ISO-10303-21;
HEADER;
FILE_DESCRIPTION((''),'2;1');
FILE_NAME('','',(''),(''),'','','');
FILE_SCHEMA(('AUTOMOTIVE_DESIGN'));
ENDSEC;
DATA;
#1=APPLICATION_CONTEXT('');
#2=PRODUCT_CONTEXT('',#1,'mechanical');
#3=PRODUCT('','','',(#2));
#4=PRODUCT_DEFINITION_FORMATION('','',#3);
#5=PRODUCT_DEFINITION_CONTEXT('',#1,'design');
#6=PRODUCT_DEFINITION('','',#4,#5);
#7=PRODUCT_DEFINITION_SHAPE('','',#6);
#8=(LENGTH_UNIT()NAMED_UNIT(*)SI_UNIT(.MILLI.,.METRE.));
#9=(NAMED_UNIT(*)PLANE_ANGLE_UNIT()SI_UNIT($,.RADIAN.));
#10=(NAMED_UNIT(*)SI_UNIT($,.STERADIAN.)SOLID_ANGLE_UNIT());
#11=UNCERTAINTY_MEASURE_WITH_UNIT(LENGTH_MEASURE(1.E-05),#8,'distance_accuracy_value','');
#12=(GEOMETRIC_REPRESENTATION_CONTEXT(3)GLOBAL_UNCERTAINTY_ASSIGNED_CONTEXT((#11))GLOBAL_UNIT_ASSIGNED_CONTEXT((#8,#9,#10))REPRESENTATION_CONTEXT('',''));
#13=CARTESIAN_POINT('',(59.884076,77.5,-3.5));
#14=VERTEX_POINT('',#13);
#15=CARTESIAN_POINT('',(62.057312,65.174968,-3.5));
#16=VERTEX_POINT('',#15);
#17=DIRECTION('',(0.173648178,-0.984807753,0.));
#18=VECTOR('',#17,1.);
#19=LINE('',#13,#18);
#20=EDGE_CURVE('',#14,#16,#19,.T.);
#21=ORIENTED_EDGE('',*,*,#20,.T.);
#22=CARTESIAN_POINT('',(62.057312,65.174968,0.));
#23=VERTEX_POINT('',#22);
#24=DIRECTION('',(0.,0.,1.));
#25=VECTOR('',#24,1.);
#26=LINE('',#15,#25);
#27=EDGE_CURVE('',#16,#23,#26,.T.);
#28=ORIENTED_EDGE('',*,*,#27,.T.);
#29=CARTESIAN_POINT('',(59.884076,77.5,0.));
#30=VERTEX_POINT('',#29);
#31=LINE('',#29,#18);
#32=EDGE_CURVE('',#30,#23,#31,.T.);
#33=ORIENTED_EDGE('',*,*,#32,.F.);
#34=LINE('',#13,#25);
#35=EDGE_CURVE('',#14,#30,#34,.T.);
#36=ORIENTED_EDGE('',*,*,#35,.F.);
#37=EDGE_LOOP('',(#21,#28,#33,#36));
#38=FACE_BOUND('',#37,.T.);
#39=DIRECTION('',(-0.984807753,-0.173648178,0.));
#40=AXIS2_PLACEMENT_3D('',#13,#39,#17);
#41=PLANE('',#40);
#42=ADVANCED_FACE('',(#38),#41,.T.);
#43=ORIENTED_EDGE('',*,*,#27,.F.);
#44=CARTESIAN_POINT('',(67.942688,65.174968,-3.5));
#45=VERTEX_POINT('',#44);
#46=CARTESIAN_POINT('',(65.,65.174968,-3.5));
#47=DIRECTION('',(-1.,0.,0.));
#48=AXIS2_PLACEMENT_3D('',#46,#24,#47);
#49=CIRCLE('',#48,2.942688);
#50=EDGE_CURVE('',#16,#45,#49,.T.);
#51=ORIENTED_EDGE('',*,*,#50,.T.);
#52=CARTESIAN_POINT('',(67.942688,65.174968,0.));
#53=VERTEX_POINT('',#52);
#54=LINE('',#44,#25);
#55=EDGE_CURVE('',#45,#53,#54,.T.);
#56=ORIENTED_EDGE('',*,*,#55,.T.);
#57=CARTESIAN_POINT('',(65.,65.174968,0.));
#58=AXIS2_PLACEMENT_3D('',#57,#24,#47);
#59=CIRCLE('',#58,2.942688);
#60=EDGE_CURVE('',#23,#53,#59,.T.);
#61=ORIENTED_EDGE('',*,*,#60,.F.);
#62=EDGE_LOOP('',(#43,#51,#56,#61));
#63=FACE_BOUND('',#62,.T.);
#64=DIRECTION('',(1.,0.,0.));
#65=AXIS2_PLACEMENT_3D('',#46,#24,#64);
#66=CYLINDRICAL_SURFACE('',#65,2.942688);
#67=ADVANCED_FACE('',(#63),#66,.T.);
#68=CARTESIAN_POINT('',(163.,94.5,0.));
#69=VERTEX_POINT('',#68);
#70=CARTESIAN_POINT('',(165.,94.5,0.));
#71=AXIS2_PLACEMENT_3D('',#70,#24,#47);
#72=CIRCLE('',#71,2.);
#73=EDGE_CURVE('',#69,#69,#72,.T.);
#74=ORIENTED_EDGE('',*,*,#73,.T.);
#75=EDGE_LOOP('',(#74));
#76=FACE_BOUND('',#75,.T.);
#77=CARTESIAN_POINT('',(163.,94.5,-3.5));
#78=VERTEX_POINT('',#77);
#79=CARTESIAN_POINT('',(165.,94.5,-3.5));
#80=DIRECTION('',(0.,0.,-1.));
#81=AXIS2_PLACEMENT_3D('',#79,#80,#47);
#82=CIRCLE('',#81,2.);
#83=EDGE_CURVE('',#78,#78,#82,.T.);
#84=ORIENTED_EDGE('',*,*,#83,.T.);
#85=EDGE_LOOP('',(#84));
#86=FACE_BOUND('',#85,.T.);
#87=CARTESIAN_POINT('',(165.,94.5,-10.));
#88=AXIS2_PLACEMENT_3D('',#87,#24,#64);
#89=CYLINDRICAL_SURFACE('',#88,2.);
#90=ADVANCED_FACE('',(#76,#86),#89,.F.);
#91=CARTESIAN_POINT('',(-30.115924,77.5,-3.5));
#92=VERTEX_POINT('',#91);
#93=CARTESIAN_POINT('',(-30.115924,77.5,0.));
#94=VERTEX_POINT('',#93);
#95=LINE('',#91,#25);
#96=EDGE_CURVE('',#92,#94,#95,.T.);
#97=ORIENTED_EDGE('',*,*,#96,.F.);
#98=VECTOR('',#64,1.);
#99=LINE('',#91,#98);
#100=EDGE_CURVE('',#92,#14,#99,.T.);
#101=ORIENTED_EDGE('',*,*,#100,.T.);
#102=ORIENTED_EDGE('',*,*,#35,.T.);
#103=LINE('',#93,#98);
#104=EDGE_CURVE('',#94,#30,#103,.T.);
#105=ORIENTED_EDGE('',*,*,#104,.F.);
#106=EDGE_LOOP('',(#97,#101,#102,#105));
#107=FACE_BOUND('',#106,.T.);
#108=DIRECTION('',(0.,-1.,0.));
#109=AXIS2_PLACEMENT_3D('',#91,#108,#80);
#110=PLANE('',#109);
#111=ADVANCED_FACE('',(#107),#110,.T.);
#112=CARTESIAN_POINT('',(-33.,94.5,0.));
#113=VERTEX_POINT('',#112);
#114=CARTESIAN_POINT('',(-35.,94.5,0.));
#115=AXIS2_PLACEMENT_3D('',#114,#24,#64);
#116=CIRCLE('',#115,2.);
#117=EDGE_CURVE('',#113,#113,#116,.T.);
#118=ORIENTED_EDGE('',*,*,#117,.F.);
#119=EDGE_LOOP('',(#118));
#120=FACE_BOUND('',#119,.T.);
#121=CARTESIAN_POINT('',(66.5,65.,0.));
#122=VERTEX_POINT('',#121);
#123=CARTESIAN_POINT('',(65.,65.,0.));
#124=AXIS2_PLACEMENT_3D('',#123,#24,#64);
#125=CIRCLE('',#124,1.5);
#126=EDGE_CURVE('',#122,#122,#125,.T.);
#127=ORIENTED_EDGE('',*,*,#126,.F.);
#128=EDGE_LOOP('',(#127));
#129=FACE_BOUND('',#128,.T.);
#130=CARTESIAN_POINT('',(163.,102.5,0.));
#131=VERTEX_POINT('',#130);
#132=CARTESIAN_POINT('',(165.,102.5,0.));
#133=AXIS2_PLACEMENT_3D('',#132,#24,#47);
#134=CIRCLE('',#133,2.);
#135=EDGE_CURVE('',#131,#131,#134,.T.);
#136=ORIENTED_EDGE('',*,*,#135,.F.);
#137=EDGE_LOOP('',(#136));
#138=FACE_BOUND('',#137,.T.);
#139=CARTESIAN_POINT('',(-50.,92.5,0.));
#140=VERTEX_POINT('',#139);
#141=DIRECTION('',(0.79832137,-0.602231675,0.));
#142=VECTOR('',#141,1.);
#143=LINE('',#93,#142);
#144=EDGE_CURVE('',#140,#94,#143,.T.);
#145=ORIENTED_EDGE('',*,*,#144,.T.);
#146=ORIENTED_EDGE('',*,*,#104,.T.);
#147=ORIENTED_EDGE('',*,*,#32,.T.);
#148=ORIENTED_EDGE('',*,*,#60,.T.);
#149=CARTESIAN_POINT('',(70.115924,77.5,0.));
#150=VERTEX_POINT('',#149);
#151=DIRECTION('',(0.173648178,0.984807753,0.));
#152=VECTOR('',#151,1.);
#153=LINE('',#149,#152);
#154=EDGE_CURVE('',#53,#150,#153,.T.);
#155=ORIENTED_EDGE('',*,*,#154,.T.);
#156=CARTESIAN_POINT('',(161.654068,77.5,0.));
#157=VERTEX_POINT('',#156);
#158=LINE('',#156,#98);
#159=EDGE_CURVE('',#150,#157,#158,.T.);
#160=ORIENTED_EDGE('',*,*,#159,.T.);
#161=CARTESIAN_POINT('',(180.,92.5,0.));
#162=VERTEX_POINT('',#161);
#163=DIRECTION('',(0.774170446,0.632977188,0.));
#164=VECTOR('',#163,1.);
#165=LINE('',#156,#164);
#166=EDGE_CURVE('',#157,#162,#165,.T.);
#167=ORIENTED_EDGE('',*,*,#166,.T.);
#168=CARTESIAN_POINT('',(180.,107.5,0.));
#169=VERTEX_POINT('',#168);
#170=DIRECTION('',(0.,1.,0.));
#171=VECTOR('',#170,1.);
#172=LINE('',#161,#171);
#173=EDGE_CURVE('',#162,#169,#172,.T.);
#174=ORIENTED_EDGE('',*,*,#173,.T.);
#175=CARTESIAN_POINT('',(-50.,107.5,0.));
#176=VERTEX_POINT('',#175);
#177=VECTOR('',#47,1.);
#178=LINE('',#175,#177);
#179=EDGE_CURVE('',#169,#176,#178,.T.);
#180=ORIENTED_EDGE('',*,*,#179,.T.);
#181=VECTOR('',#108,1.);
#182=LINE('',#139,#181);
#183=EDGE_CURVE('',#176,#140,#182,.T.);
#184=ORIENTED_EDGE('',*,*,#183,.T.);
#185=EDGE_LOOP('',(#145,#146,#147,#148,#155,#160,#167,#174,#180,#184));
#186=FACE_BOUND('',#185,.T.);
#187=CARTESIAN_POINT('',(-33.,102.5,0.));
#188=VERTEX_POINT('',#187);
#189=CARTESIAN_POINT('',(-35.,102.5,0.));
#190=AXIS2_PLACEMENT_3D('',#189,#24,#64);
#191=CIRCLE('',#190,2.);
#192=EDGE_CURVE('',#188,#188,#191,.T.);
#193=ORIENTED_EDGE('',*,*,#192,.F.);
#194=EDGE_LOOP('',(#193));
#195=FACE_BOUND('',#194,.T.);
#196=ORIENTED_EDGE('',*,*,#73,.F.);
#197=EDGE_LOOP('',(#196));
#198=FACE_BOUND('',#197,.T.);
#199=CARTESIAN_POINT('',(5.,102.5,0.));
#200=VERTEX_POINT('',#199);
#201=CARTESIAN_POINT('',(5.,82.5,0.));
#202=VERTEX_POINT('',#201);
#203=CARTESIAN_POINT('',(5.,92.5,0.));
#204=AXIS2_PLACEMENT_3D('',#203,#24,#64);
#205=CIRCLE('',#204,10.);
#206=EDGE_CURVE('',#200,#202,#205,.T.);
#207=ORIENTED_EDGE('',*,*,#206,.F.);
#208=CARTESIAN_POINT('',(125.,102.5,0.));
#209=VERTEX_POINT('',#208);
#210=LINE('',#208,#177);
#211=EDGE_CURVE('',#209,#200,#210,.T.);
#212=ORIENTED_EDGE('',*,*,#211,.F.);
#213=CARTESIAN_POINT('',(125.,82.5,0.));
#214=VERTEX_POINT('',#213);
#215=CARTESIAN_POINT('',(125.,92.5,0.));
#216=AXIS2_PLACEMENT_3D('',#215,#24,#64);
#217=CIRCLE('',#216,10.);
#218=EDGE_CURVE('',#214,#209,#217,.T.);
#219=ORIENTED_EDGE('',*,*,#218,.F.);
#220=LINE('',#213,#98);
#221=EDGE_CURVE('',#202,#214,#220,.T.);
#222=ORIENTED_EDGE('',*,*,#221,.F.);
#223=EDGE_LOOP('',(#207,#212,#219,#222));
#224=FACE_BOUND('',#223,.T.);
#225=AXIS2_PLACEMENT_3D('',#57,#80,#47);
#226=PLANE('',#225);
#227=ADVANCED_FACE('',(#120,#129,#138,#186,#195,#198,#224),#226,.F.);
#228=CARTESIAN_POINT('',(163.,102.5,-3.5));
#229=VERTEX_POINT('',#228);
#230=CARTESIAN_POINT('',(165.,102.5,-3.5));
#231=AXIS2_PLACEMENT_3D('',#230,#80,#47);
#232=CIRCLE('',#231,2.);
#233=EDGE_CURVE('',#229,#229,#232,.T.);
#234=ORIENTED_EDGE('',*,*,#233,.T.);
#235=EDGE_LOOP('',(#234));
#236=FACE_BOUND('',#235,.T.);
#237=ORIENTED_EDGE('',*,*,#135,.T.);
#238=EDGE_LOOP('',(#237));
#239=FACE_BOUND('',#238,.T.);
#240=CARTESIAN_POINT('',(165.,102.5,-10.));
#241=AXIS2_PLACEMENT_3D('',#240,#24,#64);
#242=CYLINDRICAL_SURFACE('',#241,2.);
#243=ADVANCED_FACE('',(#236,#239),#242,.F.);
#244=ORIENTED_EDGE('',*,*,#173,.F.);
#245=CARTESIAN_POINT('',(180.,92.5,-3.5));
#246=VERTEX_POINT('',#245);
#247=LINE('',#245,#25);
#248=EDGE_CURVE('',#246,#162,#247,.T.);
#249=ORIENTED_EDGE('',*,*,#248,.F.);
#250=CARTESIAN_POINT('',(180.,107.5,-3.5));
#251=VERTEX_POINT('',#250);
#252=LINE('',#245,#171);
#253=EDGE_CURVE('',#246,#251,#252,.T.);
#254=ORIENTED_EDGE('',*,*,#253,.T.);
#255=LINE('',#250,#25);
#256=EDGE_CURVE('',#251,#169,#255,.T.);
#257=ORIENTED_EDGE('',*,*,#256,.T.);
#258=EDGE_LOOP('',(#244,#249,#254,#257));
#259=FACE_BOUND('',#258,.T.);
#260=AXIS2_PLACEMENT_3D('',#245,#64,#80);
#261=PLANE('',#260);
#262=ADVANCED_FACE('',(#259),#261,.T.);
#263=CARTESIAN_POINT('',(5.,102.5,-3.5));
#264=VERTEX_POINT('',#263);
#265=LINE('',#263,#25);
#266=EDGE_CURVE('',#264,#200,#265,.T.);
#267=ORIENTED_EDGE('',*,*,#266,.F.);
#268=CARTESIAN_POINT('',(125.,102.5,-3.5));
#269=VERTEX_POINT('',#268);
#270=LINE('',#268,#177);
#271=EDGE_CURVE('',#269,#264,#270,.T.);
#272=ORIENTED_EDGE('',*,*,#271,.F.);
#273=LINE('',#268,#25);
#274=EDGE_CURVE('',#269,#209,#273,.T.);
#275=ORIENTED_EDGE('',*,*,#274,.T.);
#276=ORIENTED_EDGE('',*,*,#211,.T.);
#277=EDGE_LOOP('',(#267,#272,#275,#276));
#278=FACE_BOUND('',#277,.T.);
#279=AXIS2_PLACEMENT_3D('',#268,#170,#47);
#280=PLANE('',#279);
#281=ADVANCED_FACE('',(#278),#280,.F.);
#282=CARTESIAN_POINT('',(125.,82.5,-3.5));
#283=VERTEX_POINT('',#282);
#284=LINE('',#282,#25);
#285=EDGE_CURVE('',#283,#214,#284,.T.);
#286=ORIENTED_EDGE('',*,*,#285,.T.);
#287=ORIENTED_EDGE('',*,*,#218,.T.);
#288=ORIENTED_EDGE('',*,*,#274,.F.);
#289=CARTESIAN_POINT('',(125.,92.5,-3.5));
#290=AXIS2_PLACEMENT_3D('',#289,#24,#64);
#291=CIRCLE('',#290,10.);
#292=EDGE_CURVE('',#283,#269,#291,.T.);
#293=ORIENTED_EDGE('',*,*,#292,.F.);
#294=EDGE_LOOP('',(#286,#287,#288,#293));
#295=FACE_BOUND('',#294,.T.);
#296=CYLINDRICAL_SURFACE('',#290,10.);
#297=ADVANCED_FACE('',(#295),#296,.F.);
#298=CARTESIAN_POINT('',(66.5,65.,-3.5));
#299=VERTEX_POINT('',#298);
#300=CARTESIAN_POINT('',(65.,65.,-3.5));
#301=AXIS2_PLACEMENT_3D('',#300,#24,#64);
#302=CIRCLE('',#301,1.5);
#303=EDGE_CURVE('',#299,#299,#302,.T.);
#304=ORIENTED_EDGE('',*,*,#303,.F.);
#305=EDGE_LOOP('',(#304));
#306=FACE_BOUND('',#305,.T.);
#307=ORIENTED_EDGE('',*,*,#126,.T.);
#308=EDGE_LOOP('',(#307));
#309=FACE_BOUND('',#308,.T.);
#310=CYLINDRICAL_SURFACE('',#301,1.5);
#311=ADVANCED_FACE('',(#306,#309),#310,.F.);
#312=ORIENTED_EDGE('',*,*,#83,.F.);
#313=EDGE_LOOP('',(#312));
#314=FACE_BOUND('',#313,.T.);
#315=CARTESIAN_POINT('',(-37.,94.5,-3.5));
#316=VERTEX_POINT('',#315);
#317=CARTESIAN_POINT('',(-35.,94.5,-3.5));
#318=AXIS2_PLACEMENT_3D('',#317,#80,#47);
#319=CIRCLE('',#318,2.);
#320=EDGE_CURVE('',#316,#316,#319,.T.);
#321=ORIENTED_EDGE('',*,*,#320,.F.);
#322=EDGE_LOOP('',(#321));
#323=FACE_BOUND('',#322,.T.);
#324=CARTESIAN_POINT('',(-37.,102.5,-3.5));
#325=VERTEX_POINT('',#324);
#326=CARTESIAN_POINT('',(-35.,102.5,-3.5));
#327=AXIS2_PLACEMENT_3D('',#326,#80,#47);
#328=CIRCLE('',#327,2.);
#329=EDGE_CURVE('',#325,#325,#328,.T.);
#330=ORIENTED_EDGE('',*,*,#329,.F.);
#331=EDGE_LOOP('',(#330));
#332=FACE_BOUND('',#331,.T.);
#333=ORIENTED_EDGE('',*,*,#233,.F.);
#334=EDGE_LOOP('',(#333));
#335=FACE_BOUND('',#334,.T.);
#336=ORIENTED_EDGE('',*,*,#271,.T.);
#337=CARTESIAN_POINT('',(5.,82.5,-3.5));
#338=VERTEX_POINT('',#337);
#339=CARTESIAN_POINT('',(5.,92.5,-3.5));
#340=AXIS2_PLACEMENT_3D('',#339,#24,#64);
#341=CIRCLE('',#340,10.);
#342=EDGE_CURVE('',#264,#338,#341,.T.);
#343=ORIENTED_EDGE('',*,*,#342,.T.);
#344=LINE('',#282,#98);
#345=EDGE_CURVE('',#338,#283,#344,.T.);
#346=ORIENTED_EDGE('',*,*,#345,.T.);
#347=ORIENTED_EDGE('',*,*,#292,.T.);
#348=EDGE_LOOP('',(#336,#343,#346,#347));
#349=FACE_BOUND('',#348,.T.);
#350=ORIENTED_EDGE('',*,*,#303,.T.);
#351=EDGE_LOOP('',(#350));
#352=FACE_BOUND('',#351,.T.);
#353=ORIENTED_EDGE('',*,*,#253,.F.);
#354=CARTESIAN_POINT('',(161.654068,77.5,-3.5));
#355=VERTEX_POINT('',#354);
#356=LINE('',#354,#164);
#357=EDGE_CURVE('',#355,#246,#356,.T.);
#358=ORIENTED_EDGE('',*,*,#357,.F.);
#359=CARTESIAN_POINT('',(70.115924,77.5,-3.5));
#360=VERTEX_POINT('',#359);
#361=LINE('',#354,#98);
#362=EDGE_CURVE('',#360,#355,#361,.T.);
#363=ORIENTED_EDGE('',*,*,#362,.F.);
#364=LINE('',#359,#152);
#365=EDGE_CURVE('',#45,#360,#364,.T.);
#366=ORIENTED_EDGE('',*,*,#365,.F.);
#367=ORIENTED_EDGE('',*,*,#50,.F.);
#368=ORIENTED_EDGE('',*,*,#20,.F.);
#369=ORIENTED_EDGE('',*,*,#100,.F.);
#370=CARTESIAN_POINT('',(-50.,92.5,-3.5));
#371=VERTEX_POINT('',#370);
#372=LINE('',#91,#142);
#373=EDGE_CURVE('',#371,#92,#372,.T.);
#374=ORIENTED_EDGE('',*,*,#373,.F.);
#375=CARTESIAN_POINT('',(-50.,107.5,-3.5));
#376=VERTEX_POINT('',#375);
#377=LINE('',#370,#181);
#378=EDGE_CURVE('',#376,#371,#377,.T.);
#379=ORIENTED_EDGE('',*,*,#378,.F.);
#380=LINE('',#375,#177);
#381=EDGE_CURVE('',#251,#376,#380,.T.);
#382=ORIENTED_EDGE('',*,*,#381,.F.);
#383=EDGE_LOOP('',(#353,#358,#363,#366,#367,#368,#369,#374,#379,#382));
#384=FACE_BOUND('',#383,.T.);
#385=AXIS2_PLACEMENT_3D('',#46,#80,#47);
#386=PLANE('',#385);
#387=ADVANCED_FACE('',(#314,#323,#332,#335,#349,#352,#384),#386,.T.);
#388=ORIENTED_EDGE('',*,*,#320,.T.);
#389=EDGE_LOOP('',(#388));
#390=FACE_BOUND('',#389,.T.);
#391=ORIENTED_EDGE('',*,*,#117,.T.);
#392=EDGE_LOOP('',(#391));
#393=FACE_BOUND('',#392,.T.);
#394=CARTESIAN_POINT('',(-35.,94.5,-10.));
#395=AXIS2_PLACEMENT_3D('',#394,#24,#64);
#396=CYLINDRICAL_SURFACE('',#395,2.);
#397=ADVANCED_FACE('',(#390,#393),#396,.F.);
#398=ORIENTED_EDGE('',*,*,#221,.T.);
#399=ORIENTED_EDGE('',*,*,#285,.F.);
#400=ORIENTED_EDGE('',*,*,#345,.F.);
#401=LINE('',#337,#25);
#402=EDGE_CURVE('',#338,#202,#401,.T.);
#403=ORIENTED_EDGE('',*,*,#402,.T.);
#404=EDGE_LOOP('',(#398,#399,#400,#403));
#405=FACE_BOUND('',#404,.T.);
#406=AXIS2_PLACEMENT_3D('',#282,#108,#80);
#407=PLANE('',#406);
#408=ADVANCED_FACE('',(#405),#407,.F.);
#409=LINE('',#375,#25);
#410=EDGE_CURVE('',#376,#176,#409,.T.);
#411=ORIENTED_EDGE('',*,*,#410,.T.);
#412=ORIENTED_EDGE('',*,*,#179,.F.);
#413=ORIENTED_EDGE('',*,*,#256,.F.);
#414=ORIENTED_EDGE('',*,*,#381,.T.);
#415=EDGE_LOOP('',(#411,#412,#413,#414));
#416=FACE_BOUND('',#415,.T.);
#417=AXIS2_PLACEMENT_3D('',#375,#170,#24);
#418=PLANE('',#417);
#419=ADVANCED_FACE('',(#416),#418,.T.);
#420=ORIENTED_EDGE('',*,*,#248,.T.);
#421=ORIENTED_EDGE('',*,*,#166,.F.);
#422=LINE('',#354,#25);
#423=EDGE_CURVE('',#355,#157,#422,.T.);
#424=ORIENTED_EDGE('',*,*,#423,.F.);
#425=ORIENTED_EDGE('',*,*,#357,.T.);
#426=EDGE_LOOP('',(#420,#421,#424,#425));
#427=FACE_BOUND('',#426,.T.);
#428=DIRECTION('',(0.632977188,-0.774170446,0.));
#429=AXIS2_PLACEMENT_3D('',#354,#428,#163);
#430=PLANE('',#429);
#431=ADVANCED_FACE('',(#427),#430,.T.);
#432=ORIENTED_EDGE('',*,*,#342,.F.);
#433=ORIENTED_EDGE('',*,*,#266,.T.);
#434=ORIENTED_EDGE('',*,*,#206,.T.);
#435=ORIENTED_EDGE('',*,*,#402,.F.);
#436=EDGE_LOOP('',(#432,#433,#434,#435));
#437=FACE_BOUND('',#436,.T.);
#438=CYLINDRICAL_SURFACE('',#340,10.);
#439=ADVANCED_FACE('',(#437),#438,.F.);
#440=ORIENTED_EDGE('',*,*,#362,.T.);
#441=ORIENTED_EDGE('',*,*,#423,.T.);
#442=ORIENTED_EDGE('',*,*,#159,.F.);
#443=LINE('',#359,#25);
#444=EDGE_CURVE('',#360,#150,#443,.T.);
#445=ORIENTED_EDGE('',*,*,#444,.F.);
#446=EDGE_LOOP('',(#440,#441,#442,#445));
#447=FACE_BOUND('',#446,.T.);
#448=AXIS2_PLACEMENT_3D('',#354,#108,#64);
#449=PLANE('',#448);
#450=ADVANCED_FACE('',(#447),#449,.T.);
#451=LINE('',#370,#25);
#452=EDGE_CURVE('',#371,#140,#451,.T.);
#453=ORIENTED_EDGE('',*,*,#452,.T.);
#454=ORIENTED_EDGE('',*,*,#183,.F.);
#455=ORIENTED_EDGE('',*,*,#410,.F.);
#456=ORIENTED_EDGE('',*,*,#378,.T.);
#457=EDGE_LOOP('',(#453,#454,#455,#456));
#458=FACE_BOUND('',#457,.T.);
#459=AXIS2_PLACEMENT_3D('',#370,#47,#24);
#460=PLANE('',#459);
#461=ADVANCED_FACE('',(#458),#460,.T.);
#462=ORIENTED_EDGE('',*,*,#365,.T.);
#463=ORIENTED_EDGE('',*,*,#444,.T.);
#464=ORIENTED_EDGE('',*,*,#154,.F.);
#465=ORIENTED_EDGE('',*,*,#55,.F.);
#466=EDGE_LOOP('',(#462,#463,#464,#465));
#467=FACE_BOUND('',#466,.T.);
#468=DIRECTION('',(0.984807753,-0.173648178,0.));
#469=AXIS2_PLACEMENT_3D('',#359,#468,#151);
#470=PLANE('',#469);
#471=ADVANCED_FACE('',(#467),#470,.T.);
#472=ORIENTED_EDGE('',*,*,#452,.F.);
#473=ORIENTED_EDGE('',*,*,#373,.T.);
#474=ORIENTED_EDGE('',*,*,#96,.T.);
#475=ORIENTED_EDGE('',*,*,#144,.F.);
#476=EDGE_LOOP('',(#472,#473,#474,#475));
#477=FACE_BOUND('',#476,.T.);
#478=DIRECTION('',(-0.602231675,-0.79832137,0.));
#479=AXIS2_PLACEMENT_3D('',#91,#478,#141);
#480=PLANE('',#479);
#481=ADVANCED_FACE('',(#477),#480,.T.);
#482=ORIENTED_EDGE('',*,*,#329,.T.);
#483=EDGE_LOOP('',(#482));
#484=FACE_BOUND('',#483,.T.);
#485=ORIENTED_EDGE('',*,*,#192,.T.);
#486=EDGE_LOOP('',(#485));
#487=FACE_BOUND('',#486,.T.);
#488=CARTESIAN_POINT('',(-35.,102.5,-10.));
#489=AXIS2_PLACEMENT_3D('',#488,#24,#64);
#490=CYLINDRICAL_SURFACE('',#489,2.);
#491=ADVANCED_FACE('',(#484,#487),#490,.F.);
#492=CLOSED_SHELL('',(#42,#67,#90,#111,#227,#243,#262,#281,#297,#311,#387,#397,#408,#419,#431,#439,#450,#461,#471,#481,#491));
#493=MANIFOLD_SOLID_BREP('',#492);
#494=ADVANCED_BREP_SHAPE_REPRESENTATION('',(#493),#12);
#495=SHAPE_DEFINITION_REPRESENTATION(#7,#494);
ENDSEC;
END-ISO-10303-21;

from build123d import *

# Parameters (mm, degrees)
SKETCH4_R           = 1.5
BOSS_EXTRUDE1_DEPTH = 3.5
SKETCH6_R           = 2
CUT_EXTRUDE1_DEPTH  = 10


with BuildPart() as part:
    # Sketch4 → Boss-Extrude1 (new body)
    with BuildSketch(Plane.XY):
        with BuildLine():
            Line((59.884076231, 77.5), (62.057311876, 65.174968198))
            ThreePointArc((62.057311876, 65.174968198), (65, 62.232280074), (67.942688124, 65.174968198))
            Line((67.942688124, 65.174968198), (70.115923769, 77.5))
            Line((70.115923769, 77.5), (161.654067638, 77.5))
            Line((161.654067638, 77.5), (180, 92.5))
            Line((180, 92.5), (180, 107.5))
            Line((180, 107.5), (-50, 107.5))
            Line((-50, 107.5), (-50, 92.5))
            Line((-50, 92.5), (-30.115923769, 77.5))
            Line((-30.115923769, 77.5), (59.884076231, 77.5))
        make_face()
        with Locations((65, 65)):
            Circle(SKETCH4_R, mode=Mode.SUBTRACT)
        with BuildLine():
            Line((125, 82.5), (5, 82.5))
            ThreePointArc((5, 82.5), (-5, 92.5), (5, 102.5))
            Line((5, 102.5), (125, 102.5))
            ThreePointArc((125, 102.5), (135, 92.5), (125, 82.5))
        make_face(mode=Mode.SUBTRACT)
    extrude(amount=-BOSS_EXTRUDE1_DEPTH)

    # Sketch6 → Cut-Extrude1 (cut)
    with BuildSketch(Plane.XY):
        with Locations((-35, 102.5)):
            Circle(SKETCH6_R)
        with Locations((-35, 94.5)):
            Circle(SKETCH6_R)
        with Locations((165, 94.5)):
            Circle(SKETCH6_R)
        with Locations((165, 102.5)):
            Circle(SKETCH6_R)
    extrude(amount=-CUT_EXTRUDE1_DEPTH, mode=Mode.SUBTRACT)


solid = part.part
